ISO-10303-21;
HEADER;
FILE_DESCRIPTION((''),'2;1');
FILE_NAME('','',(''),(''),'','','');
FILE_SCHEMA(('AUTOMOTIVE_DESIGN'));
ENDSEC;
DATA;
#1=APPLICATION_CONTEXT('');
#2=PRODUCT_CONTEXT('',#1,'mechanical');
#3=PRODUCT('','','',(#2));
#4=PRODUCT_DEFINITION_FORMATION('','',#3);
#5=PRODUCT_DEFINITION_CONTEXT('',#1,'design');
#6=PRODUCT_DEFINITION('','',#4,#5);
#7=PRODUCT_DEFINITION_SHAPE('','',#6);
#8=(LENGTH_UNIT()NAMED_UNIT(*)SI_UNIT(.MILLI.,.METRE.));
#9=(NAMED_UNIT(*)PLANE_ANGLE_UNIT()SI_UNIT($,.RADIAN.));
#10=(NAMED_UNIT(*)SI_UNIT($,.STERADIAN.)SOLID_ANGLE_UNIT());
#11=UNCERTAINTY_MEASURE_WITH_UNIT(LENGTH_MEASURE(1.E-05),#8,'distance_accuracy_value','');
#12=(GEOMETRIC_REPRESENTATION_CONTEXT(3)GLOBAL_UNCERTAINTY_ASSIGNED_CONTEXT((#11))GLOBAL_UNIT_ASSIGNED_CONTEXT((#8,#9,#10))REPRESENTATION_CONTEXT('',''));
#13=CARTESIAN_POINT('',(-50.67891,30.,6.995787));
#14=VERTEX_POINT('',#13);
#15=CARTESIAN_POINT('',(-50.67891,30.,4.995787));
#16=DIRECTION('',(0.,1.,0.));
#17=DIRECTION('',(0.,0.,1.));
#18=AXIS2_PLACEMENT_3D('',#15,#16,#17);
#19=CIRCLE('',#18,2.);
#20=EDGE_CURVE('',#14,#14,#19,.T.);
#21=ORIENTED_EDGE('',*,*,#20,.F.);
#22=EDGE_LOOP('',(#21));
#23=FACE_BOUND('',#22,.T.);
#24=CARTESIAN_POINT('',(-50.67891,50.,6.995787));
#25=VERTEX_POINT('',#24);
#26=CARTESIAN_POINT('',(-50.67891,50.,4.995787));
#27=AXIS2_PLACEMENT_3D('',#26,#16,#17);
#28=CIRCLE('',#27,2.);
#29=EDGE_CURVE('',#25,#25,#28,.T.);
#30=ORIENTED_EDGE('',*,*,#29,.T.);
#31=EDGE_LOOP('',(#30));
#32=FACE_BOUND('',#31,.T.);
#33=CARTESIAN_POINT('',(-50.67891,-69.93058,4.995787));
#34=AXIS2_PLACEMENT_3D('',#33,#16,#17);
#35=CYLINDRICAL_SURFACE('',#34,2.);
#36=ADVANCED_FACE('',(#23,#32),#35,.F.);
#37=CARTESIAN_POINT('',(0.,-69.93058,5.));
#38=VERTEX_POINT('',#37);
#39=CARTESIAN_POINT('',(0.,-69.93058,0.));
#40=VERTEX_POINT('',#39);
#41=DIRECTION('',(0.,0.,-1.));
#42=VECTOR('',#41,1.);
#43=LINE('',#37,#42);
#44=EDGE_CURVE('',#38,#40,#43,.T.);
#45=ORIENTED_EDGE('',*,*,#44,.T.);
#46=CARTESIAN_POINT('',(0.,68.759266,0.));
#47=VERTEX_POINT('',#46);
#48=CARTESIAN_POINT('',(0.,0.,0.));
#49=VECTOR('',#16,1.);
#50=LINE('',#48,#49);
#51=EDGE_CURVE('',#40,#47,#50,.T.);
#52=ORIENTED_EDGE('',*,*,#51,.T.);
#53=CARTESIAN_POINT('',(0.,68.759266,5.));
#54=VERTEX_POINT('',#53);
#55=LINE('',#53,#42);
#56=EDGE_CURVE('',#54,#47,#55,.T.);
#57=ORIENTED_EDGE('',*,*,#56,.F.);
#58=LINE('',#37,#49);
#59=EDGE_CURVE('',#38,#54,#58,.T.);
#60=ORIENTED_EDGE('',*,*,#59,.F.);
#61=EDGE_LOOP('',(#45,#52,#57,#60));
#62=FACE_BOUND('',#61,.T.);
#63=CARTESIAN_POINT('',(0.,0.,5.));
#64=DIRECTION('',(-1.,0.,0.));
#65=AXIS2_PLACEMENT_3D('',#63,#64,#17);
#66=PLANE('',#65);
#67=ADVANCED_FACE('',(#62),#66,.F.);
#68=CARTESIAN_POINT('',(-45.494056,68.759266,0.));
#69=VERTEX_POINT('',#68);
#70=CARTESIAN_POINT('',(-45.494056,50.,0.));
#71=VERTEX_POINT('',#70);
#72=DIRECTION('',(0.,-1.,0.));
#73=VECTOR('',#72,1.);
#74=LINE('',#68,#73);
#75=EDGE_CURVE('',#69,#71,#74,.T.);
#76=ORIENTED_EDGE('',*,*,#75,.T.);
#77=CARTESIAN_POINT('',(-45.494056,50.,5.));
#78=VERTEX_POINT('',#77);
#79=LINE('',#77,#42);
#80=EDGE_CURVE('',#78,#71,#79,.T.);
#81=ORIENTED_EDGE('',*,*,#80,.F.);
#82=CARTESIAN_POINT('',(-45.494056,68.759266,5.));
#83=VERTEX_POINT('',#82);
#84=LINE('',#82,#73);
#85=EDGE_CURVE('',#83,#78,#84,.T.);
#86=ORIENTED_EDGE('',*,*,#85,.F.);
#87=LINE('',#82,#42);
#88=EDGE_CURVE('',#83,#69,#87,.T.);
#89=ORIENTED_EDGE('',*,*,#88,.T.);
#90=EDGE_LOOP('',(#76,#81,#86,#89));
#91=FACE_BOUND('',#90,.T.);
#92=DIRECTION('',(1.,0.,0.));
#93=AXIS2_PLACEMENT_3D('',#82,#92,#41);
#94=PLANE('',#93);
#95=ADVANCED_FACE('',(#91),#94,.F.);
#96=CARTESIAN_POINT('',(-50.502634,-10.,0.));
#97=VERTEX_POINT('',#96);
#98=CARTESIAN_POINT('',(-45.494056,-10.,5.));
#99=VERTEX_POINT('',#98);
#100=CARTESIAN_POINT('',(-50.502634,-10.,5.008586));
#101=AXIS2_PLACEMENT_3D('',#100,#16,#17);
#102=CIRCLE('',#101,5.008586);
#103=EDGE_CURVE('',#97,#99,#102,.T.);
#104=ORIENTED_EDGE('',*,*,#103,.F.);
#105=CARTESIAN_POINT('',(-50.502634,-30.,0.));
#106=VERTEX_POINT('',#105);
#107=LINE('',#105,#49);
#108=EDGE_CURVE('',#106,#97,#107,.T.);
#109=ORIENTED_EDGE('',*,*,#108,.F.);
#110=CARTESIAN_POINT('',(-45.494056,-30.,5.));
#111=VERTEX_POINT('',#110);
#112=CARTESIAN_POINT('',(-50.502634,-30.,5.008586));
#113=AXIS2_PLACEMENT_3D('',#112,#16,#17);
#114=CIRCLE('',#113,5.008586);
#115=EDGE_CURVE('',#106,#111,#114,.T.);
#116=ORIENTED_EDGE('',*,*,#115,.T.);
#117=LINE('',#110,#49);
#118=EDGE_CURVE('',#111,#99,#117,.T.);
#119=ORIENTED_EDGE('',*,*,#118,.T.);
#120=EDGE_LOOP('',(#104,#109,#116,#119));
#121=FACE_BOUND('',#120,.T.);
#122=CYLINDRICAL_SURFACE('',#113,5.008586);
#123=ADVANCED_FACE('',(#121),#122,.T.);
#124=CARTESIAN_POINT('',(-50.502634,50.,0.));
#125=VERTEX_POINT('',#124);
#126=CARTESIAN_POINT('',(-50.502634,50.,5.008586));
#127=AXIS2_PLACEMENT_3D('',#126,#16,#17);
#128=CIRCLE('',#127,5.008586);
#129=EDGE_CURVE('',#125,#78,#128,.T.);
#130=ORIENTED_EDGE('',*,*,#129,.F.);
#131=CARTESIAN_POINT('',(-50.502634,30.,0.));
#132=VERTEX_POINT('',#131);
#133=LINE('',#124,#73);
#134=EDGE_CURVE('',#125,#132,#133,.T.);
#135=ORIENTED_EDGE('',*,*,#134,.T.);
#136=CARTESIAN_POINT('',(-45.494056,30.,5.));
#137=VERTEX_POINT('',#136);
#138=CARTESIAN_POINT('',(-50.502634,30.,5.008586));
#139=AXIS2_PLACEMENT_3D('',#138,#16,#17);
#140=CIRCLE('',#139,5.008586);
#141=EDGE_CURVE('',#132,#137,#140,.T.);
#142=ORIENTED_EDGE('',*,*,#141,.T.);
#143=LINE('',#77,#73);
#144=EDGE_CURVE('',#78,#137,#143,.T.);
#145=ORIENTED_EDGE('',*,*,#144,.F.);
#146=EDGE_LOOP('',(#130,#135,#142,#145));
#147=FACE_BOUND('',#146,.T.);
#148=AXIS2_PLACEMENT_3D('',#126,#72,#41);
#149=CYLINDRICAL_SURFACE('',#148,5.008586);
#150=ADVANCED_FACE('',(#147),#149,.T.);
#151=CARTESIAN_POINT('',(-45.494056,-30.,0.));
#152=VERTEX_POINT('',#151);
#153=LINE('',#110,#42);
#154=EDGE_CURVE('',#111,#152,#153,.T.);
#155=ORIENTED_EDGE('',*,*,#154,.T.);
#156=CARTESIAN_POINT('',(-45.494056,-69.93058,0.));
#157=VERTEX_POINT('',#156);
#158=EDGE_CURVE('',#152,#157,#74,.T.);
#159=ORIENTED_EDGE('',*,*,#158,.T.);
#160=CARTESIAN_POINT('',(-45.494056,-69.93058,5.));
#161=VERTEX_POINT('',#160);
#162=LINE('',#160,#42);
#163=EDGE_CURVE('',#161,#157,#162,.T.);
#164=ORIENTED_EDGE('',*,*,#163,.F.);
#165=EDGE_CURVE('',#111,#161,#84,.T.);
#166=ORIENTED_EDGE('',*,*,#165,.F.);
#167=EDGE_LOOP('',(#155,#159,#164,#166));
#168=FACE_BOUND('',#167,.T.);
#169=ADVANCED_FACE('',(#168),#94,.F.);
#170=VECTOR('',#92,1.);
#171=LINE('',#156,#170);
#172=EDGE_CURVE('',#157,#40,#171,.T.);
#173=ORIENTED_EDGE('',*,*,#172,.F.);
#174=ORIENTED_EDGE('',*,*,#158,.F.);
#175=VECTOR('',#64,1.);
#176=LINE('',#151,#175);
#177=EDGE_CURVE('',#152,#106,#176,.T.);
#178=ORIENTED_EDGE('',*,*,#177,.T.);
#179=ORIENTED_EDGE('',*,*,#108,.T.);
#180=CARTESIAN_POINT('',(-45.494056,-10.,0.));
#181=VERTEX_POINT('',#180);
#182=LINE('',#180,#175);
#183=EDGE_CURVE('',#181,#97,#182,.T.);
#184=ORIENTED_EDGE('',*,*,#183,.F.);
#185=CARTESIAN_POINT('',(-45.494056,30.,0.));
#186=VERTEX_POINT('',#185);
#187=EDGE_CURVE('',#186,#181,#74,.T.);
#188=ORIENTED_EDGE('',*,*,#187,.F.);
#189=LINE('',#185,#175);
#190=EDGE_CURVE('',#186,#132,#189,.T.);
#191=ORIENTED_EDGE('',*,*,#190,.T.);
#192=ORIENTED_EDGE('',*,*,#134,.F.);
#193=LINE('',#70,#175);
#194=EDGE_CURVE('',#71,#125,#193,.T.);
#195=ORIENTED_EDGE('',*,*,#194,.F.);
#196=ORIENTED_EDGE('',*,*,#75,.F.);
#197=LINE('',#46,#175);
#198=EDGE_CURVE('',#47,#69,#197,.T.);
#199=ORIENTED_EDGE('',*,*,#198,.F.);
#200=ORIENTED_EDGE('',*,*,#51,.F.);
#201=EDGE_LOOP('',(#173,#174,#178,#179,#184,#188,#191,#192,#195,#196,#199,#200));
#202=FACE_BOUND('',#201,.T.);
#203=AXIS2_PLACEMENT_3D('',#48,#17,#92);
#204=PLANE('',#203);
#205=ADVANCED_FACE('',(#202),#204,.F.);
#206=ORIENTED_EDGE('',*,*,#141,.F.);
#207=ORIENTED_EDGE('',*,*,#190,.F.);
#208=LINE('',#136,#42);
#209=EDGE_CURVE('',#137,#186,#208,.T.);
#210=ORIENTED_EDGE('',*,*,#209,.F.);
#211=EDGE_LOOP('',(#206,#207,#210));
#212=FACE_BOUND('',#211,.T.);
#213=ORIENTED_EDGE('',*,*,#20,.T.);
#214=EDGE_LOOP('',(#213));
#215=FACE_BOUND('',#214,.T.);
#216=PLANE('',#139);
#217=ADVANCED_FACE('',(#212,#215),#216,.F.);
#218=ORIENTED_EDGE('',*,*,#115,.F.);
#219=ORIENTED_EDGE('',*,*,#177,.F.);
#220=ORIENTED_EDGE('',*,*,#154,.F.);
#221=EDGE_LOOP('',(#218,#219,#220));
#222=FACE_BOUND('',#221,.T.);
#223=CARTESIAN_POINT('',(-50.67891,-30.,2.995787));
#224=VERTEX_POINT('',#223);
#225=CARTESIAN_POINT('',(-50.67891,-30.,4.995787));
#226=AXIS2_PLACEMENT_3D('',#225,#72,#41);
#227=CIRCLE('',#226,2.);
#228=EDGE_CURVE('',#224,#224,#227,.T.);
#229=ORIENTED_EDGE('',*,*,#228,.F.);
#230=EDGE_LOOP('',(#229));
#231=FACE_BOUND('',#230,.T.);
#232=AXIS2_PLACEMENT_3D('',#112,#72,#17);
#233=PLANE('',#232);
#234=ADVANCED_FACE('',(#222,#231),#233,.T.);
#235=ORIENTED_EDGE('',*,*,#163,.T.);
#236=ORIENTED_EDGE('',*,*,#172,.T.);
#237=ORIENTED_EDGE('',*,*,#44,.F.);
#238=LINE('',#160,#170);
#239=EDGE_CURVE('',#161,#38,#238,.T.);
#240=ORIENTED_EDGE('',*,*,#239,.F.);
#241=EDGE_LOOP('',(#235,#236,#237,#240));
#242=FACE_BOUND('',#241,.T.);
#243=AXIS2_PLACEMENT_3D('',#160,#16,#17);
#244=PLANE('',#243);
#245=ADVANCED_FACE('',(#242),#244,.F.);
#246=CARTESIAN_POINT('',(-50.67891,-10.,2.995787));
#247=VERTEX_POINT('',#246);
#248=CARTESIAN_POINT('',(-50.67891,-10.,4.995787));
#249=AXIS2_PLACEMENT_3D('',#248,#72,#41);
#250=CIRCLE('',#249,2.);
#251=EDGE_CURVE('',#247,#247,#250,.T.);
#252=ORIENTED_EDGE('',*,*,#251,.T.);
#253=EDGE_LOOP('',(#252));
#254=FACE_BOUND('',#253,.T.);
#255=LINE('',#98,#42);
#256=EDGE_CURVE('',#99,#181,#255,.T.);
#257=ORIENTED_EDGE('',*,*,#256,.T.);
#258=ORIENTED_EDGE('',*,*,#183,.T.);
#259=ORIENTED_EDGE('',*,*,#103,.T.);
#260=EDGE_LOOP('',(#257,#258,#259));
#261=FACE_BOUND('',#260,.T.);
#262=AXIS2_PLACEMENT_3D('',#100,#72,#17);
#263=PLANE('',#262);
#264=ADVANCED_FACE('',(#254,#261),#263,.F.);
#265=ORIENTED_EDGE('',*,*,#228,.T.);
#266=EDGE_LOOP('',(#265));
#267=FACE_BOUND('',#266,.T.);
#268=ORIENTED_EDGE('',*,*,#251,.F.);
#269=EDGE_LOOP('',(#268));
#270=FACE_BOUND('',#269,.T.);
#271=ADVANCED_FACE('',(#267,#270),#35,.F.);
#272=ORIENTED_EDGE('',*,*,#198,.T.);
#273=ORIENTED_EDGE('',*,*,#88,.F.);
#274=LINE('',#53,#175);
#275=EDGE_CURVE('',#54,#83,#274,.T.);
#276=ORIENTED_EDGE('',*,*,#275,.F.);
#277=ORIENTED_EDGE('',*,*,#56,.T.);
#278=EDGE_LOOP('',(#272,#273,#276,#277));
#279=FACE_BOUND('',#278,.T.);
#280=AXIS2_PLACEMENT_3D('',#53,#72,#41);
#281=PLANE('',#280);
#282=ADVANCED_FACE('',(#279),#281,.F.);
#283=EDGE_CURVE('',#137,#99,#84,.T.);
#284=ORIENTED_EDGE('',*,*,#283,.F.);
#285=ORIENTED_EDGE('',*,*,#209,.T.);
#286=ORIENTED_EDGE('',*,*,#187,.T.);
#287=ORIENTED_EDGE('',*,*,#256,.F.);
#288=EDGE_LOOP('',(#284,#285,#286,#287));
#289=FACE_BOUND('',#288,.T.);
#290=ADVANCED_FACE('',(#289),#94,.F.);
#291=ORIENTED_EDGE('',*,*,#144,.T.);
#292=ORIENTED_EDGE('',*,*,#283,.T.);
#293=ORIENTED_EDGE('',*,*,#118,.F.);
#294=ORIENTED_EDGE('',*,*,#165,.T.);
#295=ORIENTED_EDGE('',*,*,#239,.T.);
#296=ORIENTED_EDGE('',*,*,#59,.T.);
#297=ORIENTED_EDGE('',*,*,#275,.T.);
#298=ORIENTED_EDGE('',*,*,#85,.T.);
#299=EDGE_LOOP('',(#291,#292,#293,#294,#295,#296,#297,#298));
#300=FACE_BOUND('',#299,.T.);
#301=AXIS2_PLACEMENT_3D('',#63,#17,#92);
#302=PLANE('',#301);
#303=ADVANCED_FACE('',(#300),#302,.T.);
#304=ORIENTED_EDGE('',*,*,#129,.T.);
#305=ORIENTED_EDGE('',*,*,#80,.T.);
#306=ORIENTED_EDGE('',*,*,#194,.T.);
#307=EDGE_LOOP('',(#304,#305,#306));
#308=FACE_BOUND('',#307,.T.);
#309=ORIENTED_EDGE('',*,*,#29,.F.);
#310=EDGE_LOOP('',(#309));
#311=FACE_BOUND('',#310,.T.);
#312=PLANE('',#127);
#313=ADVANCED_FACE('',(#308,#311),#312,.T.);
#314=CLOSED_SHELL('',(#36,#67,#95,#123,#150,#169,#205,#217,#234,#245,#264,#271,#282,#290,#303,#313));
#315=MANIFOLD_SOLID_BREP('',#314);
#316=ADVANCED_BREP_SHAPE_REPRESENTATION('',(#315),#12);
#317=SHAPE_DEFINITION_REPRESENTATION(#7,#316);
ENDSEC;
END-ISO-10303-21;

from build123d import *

# Parameters (mm, degrees)
EXTRUDE_1_DEPTH     = 5
EXTRUDE_2_DEPTH     = 20
SKETCH_4_R          = 2
CUT_EXTRUDE_1_DEPTH = 133.533705957


with BuildPart() as part:
    # 草图1 → 凸台-拉伸1 (new body)
    with BuildSketch(Plane.XY):
        Polygon((0, 0), (0, 68.759266336), (-45.494055631, 68.759266336), (-45.494055631, -69.930579597), (0, -69.930579597), align=None)
    extrude(amount=EXTRUDE_1_DEPTH)

    # 草图2 → 凸台-拉伸2 (add)
    with BuildSketch(Plane(origin=(0, 30, 0), x_dir=(1, 0, 0), z_dir=(0, 1, 0))):
        with BuildLine():
            Line((-45.494055631, 0), (-50.502634201, 0))
            ThreePointArc((-50.502634201, 0), (-54.041202389, -8.553225288), (-45.494055631, -5))
            Line((-45.494055631, -5), (-45.494055631, 0))
        make_face()
    extrude_2 = extrude(amount=EXTRUDE_2_DEPTH)

    # 镜向2: 凸台-拉伸2 across plane
    add(extrude_2.mirror(Plane.ZX.offset(10)))

    # 草图4 → 切除-拉伸1 (cut, through all)
    with BuildSketch(Plane(origin=(0, 50, 0), x_dir=(1, 0, 0), z_dir=(0, 1, 0))):
        with Locations(Location((-50.678910059, -4.995787087, 0), (0, 0, 90))):
            Circle(SKETCH_4_R)
    extrude(amount=-CUT_EXTRUDE_1_DEPTH, mode=Mode.SUBTRACT)


solid = part.part
